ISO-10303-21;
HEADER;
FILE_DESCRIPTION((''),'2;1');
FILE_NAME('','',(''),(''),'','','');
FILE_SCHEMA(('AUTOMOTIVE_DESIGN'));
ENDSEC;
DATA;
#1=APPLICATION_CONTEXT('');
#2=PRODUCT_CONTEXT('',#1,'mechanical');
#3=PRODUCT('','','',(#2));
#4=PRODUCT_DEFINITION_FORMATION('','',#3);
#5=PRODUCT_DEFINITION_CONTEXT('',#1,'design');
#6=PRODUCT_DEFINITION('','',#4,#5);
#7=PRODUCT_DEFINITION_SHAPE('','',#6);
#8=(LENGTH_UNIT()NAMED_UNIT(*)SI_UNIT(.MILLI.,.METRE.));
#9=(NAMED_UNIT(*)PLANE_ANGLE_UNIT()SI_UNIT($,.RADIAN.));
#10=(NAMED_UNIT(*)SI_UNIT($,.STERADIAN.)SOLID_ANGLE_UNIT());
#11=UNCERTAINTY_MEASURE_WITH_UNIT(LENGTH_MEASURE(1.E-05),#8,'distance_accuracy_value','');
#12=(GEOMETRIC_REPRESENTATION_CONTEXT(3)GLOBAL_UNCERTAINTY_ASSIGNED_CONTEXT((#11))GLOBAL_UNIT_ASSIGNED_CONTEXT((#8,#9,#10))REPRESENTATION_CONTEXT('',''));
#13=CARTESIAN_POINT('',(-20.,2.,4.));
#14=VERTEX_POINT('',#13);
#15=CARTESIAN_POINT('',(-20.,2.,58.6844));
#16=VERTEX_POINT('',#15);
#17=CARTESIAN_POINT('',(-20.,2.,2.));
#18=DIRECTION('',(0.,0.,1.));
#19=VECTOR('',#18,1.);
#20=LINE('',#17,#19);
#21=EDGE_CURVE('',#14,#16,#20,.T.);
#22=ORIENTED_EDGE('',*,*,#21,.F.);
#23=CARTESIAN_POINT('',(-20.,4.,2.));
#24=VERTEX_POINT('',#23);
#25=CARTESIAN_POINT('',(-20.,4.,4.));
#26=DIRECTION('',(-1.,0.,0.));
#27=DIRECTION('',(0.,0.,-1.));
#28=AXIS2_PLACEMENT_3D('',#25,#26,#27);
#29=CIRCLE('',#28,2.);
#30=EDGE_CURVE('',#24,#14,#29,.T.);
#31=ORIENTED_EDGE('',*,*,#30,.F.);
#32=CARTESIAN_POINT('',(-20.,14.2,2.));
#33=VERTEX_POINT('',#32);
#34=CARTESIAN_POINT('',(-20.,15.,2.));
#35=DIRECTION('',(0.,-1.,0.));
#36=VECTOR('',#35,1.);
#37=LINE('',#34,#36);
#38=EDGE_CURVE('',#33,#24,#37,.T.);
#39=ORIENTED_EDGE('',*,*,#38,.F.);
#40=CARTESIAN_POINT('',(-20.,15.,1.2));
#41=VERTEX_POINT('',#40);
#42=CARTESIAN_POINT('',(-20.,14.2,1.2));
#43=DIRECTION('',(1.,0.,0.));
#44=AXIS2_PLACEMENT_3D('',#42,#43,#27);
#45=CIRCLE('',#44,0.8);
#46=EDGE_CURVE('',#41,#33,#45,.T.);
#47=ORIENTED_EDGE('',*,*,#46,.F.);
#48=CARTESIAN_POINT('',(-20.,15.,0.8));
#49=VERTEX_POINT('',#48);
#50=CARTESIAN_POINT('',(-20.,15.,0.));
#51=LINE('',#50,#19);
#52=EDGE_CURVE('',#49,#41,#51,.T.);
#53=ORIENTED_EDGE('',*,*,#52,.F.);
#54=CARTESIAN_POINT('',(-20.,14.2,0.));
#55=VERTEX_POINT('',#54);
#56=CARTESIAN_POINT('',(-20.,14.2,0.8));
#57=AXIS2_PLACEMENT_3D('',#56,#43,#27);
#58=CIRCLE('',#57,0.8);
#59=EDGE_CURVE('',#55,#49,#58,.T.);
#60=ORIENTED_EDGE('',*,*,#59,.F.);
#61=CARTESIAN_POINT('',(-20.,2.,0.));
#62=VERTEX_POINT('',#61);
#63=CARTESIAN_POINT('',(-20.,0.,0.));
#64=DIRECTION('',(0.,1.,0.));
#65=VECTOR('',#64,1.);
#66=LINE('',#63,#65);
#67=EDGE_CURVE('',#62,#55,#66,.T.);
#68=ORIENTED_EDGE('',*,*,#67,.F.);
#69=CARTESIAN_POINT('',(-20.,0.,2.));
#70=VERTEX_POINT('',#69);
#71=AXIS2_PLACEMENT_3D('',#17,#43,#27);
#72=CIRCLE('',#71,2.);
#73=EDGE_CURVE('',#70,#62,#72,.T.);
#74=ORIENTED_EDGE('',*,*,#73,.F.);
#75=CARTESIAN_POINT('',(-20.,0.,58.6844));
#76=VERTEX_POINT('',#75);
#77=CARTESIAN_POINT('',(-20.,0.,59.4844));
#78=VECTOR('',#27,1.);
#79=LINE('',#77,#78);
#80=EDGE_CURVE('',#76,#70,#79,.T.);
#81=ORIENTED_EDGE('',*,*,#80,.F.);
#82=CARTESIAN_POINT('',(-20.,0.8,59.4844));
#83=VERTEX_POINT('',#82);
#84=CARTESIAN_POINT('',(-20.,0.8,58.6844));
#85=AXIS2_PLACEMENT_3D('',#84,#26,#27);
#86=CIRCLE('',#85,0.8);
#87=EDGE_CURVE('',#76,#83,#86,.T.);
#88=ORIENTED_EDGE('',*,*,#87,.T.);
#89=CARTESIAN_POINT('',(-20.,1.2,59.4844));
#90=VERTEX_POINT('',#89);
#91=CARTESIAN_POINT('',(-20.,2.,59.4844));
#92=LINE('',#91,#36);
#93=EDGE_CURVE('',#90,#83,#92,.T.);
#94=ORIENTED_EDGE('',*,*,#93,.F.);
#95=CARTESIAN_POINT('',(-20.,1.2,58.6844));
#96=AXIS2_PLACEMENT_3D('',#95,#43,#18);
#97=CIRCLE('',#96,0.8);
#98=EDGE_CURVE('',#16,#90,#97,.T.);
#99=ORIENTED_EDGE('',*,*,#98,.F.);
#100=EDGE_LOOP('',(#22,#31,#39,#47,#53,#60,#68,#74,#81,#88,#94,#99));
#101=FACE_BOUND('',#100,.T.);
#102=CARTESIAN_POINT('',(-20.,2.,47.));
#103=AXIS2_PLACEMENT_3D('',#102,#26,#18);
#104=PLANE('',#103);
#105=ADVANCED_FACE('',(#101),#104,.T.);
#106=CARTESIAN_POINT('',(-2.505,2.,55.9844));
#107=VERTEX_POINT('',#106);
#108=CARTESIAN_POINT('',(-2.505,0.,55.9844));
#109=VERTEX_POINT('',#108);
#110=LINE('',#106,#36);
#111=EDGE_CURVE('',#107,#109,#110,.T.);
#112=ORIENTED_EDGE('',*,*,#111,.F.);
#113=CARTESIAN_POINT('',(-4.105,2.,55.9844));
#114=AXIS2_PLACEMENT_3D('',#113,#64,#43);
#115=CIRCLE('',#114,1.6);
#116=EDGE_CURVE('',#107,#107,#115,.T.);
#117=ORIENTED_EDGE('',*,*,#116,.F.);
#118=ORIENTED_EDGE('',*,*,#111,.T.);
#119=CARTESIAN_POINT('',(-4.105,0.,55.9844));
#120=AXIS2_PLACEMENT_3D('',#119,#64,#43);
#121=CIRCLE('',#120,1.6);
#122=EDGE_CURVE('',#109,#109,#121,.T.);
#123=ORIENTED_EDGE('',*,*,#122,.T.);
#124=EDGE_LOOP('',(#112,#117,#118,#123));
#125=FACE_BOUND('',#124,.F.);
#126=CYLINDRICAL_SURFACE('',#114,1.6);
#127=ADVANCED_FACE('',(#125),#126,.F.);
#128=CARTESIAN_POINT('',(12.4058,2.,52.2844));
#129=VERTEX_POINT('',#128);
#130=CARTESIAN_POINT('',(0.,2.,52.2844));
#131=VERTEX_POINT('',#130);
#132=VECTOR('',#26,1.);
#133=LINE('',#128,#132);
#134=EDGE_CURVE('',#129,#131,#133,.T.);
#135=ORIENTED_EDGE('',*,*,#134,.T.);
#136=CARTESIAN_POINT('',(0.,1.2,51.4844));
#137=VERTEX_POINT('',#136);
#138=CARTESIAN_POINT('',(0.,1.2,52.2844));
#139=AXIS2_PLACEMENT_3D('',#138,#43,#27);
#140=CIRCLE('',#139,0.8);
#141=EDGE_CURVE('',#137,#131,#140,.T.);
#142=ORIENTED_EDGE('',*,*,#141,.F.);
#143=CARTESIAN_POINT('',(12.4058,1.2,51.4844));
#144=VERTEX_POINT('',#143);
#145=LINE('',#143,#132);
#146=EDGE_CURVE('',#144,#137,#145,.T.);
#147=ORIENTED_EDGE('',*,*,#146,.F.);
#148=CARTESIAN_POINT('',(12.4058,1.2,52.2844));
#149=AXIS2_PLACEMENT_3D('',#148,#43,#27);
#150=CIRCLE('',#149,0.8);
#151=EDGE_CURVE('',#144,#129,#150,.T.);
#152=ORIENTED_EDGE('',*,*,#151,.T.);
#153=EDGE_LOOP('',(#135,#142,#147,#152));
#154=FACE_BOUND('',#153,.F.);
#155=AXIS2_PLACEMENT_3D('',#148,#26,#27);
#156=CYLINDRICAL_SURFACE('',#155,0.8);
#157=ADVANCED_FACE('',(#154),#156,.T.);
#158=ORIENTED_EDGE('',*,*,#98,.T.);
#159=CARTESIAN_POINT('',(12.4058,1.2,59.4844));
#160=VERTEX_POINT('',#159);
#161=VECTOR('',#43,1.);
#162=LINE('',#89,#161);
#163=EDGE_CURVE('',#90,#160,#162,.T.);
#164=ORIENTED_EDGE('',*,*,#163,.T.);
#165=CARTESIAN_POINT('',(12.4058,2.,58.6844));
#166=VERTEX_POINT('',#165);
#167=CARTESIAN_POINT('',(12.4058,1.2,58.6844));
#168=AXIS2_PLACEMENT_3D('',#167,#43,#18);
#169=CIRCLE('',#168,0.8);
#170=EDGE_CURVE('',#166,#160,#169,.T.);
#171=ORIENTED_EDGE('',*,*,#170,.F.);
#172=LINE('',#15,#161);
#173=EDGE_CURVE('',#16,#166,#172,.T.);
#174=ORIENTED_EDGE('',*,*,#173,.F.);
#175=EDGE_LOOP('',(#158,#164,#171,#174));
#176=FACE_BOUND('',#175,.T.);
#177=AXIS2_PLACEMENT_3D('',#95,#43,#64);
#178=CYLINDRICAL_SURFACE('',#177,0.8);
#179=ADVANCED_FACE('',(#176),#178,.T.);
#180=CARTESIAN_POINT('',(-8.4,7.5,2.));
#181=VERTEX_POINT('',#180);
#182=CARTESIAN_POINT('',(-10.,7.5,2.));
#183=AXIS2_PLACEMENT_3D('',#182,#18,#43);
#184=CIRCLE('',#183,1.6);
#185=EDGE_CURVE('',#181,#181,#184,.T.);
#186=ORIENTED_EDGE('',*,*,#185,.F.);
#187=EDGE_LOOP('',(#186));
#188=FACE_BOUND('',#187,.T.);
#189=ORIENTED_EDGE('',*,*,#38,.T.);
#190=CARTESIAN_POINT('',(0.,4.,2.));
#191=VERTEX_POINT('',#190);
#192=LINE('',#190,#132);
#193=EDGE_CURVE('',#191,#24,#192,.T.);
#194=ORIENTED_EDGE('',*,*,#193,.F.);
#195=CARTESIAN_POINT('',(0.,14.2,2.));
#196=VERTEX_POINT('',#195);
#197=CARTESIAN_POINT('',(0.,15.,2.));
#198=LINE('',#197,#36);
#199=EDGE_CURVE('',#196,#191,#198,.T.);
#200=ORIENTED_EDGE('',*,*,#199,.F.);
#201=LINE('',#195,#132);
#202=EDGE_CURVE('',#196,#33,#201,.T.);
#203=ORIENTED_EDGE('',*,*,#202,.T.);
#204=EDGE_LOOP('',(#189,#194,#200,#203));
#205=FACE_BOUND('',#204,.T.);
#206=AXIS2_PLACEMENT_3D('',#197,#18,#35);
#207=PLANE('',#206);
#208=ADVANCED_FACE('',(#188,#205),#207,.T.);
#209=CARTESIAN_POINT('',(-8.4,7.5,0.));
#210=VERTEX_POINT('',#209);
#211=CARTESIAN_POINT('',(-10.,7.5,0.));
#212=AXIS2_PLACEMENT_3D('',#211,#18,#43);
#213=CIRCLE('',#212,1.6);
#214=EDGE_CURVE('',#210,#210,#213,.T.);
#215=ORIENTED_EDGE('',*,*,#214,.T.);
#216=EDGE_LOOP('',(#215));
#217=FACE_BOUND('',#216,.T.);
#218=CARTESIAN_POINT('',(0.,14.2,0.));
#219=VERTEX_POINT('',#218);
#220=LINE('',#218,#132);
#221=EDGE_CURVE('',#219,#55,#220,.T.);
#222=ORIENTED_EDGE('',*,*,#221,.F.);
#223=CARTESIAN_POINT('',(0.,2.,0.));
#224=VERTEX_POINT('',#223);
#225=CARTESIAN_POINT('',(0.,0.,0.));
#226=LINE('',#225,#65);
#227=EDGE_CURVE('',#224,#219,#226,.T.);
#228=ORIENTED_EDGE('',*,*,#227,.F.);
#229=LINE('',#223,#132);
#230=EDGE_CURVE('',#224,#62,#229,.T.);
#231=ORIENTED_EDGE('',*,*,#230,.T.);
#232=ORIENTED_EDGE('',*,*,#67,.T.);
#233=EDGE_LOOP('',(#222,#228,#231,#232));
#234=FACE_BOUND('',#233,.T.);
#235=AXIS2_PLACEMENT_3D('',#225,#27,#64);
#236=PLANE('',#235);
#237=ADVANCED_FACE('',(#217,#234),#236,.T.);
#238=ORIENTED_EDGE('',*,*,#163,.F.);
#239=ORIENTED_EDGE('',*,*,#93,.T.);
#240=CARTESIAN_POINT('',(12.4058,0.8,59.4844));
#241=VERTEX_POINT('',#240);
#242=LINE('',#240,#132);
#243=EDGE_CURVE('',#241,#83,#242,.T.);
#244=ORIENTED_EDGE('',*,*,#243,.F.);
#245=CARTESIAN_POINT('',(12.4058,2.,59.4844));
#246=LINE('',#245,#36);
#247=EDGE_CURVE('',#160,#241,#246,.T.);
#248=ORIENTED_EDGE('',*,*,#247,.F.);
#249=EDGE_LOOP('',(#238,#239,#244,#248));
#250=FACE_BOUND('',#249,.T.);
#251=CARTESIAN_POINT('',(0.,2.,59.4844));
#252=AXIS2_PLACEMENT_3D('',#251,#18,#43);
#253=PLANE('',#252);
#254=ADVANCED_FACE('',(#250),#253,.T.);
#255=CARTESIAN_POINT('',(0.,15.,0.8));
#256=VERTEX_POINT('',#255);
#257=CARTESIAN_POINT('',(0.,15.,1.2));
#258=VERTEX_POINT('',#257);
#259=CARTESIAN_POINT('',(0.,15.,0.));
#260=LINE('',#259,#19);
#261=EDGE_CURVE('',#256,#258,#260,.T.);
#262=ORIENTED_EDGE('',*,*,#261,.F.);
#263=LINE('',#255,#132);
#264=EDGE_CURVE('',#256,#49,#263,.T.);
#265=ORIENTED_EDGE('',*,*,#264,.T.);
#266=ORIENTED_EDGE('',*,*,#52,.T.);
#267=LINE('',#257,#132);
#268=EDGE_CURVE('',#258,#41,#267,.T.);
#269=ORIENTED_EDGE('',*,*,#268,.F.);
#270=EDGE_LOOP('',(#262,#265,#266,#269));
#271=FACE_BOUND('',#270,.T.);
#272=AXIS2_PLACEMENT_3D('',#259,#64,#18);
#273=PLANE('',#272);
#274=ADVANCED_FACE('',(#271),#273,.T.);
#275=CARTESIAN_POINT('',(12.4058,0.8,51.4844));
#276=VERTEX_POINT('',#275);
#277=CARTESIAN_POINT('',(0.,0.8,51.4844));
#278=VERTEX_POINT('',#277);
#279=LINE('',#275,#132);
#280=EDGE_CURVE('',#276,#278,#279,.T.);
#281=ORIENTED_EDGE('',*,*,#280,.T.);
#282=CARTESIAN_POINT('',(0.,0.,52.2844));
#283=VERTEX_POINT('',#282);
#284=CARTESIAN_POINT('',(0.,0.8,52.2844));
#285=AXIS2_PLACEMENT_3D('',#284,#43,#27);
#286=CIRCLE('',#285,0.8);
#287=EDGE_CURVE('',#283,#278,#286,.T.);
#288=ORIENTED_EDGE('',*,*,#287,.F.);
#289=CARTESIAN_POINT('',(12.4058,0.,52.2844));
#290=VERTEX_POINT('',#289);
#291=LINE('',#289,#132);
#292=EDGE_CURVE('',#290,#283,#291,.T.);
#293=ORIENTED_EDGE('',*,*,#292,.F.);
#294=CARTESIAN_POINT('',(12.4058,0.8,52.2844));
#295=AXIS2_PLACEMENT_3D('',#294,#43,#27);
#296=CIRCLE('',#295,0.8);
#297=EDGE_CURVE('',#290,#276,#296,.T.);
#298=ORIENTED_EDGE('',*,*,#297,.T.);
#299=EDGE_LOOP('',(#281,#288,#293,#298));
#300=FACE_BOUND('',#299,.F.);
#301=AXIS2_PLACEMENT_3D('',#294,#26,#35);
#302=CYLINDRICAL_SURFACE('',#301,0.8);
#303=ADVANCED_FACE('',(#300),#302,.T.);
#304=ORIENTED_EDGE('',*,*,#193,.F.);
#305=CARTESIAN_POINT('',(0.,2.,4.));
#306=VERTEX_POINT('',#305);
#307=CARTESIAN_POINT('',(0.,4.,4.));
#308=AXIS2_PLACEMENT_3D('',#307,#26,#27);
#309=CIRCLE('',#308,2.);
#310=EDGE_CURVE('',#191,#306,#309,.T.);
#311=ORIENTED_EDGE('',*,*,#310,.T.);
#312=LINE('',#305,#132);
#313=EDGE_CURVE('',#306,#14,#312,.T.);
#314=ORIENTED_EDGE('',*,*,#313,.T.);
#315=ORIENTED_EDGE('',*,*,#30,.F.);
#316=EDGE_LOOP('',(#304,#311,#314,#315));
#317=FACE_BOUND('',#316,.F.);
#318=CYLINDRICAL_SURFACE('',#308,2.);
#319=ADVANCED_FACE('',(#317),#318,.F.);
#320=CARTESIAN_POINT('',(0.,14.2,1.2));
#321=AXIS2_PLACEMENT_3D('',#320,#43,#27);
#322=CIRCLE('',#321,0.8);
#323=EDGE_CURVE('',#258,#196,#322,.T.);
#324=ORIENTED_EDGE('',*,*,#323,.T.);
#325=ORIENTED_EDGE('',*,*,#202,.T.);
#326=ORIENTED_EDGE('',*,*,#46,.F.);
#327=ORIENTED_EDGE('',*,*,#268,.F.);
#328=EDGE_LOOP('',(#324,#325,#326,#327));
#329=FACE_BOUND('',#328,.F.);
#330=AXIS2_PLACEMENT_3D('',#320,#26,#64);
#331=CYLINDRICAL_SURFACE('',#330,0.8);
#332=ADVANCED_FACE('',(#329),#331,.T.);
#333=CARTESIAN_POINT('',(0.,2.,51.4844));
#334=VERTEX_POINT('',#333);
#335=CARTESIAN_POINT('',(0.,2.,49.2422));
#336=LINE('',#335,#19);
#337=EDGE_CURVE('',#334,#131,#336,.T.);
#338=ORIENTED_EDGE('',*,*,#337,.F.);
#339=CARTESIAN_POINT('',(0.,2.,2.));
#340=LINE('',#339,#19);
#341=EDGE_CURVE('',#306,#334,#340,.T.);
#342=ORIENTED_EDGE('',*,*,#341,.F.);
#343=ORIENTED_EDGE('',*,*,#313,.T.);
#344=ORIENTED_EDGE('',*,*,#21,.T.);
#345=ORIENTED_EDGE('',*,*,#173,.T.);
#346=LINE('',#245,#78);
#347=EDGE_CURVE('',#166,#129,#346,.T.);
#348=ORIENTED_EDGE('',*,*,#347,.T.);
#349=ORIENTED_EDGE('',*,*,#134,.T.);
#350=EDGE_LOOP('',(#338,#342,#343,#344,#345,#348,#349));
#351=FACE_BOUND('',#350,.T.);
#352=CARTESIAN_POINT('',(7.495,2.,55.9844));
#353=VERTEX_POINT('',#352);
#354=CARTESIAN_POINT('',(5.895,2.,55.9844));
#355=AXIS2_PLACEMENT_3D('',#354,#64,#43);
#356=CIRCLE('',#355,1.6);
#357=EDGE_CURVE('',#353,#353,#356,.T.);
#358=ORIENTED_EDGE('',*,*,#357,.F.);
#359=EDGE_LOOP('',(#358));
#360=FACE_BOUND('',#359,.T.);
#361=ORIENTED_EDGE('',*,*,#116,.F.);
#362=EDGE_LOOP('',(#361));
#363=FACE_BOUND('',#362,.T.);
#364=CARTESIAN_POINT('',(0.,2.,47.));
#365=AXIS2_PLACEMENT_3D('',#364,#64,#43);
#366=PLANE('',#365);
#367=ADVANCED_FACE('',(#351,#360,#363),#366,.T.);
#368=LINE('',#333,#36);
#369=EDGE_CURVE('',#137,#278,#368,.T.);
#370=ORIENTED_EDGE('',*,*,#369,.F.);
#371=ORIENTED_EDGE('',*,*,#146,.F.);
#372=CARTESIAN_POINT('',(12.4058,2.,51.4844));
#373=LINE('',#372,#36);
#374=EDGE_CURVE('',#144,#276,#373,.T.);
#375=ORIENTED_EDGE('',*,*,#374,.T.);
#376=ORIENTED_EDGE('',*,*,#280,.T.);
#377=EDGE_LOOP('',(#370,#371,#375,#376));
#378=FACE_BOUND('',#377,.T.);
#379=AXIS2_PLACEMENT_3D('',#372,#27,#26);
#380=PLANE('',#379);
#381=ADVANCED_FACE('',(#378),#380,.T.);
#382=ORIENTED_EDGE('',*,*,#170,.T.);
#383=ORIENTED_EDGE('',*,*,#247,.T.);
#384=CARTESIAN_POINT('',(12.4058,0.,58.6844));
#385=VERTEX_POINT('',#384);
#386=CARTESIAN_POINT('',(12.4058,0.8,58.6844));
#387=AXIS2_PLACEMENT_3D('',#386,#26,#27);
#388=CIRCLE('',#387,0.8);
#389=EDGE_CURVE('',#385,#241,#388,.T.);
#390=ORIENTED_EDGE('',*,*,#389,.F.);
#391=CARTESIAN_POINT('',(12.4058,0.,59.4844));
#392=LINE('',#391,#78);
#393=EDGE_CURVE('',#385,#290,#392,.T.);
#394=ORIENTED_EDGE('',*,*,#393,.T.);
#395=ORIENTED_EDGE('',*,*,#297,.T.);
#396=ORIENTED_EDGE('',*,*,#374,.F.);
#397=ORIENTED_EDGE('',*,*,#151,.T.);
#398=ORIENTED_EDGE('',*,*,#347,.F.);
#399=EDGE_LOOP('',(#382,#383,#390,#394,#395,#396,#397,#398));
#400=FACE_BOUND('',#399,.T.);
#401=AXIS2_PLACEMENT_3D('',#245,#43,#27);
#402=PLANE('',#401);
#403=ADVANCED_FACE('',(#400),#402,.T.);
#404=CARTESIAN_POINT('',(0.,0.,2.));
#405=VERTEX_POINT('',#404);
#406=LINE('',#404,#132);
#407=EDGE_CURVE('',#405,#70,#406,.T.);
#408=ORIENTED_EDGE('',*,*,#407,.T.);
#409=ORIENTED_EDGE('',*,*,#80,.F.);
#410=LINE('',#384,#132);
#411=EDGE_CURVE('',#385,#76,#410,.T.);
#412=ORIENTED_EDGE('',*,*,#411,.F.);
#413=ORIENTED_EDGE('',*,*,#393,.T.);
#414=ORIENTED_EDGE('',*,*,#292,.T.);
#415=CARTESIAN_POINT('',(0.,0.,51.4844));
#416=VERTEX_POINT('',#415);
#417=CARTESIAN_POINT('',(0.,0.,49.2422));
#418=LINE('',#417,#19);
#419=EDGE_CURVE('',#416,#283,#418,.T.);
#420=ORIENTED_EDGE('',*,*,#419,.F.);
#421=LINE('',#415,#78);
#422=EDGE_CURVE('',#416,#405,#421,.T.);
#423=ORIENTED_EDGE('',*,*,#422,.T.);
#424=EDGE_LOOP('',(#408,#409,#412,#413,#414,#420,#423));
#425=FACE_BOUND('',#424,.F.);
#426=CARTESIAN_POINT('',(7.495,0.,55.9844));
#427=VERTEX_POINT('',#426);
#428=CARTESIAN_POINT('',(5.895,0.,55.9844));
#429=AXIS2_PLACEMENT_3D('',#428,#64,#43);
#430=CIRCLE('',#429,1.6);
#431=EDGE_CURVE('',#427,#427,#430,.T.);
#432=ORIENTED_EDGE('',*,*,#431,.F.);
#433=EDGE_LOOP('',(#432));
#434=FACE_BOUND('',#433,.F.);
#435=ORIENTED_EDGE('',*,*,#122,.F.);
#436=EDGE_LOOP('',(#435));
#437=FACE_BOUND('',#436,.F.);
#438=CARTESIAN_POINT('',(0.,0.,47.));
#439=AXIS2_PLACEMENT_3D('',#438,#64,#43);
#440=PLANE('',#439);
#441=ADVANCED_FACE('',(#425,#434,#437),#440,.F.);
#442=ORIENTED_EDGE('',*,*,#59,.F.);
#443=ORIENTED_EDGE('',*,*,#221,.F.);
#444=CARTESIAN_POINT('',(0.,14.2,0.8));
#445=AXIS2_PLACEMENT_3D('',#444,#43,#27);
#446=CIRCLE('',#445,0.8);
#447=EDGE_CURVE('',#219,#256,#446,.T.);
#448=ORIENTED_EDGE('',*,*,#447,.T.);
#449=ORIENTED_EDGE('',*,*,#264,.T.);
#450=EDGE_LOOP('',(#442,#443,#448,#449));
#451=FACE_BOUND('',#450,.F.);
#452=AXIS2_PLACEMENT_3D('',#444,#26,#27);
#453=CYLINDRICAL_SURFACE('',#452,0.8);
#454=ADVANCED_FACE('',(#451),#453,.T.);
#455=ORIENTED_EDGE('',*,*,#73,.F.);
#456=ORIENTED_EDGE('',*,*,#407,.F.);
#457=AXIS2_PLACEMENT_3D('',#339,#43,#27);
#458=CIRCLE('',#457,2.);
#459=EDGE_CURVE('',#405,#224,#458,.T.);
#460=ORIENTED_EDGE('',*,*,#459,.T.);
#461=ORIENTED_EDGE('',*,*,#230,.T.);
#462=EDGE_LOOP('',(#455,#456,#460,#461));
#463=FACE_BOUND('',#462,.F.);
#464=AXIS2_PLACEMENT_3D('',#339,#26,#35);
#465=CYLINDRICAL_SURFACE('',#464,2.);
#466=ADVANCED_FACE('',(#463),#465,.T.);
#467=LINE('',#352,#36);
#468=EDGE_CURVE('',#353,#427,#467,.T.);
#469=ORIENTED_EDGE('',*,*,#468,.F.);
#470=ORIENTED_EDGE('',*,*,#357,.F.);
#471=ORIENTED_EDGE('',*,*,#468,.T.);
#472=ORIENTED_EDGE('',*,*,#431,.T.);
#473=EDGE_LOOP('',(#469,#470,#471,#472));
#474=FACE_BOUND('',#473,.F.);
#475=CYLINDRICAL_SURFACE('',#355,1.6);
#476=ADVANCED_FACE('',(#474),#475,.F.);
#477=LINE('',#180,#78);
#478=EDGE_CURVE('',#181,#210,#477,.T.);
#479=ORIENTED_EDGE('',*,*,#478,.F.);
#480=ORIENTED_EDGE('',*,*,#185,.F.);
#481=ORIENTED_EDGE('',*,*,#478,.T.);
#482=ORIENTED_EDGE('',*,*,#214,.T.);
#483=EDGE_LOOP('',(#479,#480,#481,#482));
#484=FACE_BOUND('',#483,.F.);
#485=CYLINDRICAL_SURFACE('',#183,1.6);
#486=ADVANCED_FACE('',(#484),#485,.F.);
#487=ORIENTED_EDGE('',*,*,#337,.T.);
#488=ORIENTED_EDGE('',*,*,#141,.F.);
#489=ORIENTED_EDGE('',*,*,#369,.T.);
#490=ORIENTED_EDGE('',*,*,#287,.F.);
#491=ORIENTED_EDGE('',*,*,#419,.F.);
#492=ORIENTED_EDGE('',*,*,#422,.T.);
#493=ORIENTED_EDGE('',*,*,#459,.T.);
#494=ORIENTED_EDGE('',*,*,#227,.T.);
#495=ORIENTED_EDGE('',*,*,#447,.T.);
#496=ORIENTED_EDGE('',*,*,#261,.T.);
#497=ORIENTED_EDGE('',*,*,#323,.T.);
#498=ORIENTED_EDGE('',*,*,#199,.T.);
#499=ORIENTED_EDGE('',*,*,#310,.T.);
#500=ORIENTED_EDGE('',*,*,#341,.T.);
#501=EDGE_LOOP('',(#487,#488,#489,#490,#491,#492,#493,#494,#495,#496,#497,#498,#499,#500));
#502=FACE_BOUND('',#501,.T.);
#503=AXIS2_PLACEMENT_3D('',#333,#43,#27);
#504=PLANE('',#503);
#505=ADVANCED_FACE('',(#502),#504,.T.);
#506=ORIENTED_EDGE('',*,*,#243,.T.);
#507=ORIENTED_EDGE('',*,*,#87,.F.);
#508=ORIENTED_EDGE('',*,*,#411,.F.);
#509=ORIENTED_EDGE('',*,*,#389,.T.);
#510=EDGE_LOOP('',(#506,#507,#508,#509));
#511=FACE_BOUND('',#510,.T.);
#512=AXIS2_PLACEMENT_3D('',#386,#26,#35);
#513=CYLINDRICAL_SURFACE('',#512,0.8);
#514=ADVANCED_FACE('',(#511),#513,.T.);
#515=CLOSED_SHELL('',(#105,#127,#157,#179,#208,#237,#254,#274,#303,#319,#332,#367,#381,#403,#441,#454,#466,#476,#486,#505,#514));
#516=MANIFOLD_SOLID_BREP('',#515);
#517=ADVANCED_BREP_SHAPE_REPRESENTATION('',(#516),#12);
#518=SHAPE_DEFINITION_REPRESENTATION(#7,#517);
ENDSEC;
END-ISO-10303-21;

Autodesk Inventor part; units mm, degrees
ref_plane "YZ Plane" through (0, 0, 0) normal (1, 0, 0) x (0, 1, 0)
ref_plane "XZ Plane" through (0, 0, 0) normal (0, 1, 0) x (-1, 0, 0)
ref_plane "XY Plane" through (0, 0, 0) normal (0, 0, 1) x (1, 0, 0)
sketch "Skizze2" plane through (0, 0, 0) normal (1, 0, 0) x (0, 1, 0)
  line L0 (0, 0) -> (15, 0)
  line L1 (15, 0) -> (15, 2)
  line L2 (15, 2) -> (2, 2)
  line L3 (2, 2) -> (2, 47)
  line L4 (2, 47) -> (0, 47)
  line L5 (0, 47) -> (0, 0)
  dimension "d0" = 2
  dimension "d2" = 45
  dimension "d3" = 2
  dimension "d4" = 90
  dimension "d5" = 15
extrude "Extrusion1" add sketch "Skizze2" against normal blind 20
sketch "Skizze3" plane through (0, 2, 2) normal (0, 0, 1) x (1, 0, 0)
  circle A0 centre (-10, 5.5) radius 1.6
  line L0 (0, 13) -> (0, 0) projected
  line L1 (0, 0) -> (-20, 0) projected
  line L2 (0, -2) -> (-20, -2) projected
  dimension "d8" = 3.2
  dimension "d9" = 10
  dimension "d17" = 7.5
extrude "Extrusion2" cut sketch "Skizze3" against normal through all
sketch "Skizze4" plane through (0, 2, 47) normal (0, 1, 0) x (1, 0, 0)
  line L0 (0, 0) -> (-20, 0) projected
  line L1 (0, -12.4844) -> (12.4058, -12.4844)
  line L2 (12.4058, -12.4844) -> (12.4058, -4.4844)
  line L3 (12.4058, -4.4844) -> (0, -4.4844)
  line L4 (0, -4.4844) -> (0, 0)
  line L5 (0, 0) -> (-20, 0)
  line L6 (-20, 47) -> (-20, 0) projected
  line L7 (-20, 0) -> (-20, -12.4844)
  line L8 (-20, -12.4844) -> (0, -12.4844)
  point P0 (0, 47)
  dimension "d13" = 8
extrude "Extrusion3" add sketch "Skizze4" against normal blind 2
sketch "Skizze5" plane through (-20, 2, 2) normal (0, 1, 0) x (1, 0, 0)
  circle A0 centre (25.895, -53.9844) radius 1.6
  circle A1 centre (15.895, -53.9844) radius 1.6
  line L0 (0, -57.4844) -> (32.4058, -57.4844) projected
  point P0 (20, 2)
  dimension "d18" = 3.2
  dimension "d19" = 3.2
  dimension "d20" = 10
  dimension "d21" = 3.5
  dimension "d22" = 3.5
extrude "Extrusion4" cut sketch "Skizze5" against normal through all
fillet "Rundung1" radius 2 2 edges at (-10, 2, 2) (-10, 0, 0)
fillet "Rundung2" radius 0.8 6 edges at (-3.7971, 2, 59.4844) (-3.7971, 0, 59.4844) (6.2029, 2, 51.4844) (-10, 15, 2) (-10, 15, 0) (6.2029, 0, 51.4844)
properties part number "X-Endstop holder mount" material "ABS-Kunststoff"
